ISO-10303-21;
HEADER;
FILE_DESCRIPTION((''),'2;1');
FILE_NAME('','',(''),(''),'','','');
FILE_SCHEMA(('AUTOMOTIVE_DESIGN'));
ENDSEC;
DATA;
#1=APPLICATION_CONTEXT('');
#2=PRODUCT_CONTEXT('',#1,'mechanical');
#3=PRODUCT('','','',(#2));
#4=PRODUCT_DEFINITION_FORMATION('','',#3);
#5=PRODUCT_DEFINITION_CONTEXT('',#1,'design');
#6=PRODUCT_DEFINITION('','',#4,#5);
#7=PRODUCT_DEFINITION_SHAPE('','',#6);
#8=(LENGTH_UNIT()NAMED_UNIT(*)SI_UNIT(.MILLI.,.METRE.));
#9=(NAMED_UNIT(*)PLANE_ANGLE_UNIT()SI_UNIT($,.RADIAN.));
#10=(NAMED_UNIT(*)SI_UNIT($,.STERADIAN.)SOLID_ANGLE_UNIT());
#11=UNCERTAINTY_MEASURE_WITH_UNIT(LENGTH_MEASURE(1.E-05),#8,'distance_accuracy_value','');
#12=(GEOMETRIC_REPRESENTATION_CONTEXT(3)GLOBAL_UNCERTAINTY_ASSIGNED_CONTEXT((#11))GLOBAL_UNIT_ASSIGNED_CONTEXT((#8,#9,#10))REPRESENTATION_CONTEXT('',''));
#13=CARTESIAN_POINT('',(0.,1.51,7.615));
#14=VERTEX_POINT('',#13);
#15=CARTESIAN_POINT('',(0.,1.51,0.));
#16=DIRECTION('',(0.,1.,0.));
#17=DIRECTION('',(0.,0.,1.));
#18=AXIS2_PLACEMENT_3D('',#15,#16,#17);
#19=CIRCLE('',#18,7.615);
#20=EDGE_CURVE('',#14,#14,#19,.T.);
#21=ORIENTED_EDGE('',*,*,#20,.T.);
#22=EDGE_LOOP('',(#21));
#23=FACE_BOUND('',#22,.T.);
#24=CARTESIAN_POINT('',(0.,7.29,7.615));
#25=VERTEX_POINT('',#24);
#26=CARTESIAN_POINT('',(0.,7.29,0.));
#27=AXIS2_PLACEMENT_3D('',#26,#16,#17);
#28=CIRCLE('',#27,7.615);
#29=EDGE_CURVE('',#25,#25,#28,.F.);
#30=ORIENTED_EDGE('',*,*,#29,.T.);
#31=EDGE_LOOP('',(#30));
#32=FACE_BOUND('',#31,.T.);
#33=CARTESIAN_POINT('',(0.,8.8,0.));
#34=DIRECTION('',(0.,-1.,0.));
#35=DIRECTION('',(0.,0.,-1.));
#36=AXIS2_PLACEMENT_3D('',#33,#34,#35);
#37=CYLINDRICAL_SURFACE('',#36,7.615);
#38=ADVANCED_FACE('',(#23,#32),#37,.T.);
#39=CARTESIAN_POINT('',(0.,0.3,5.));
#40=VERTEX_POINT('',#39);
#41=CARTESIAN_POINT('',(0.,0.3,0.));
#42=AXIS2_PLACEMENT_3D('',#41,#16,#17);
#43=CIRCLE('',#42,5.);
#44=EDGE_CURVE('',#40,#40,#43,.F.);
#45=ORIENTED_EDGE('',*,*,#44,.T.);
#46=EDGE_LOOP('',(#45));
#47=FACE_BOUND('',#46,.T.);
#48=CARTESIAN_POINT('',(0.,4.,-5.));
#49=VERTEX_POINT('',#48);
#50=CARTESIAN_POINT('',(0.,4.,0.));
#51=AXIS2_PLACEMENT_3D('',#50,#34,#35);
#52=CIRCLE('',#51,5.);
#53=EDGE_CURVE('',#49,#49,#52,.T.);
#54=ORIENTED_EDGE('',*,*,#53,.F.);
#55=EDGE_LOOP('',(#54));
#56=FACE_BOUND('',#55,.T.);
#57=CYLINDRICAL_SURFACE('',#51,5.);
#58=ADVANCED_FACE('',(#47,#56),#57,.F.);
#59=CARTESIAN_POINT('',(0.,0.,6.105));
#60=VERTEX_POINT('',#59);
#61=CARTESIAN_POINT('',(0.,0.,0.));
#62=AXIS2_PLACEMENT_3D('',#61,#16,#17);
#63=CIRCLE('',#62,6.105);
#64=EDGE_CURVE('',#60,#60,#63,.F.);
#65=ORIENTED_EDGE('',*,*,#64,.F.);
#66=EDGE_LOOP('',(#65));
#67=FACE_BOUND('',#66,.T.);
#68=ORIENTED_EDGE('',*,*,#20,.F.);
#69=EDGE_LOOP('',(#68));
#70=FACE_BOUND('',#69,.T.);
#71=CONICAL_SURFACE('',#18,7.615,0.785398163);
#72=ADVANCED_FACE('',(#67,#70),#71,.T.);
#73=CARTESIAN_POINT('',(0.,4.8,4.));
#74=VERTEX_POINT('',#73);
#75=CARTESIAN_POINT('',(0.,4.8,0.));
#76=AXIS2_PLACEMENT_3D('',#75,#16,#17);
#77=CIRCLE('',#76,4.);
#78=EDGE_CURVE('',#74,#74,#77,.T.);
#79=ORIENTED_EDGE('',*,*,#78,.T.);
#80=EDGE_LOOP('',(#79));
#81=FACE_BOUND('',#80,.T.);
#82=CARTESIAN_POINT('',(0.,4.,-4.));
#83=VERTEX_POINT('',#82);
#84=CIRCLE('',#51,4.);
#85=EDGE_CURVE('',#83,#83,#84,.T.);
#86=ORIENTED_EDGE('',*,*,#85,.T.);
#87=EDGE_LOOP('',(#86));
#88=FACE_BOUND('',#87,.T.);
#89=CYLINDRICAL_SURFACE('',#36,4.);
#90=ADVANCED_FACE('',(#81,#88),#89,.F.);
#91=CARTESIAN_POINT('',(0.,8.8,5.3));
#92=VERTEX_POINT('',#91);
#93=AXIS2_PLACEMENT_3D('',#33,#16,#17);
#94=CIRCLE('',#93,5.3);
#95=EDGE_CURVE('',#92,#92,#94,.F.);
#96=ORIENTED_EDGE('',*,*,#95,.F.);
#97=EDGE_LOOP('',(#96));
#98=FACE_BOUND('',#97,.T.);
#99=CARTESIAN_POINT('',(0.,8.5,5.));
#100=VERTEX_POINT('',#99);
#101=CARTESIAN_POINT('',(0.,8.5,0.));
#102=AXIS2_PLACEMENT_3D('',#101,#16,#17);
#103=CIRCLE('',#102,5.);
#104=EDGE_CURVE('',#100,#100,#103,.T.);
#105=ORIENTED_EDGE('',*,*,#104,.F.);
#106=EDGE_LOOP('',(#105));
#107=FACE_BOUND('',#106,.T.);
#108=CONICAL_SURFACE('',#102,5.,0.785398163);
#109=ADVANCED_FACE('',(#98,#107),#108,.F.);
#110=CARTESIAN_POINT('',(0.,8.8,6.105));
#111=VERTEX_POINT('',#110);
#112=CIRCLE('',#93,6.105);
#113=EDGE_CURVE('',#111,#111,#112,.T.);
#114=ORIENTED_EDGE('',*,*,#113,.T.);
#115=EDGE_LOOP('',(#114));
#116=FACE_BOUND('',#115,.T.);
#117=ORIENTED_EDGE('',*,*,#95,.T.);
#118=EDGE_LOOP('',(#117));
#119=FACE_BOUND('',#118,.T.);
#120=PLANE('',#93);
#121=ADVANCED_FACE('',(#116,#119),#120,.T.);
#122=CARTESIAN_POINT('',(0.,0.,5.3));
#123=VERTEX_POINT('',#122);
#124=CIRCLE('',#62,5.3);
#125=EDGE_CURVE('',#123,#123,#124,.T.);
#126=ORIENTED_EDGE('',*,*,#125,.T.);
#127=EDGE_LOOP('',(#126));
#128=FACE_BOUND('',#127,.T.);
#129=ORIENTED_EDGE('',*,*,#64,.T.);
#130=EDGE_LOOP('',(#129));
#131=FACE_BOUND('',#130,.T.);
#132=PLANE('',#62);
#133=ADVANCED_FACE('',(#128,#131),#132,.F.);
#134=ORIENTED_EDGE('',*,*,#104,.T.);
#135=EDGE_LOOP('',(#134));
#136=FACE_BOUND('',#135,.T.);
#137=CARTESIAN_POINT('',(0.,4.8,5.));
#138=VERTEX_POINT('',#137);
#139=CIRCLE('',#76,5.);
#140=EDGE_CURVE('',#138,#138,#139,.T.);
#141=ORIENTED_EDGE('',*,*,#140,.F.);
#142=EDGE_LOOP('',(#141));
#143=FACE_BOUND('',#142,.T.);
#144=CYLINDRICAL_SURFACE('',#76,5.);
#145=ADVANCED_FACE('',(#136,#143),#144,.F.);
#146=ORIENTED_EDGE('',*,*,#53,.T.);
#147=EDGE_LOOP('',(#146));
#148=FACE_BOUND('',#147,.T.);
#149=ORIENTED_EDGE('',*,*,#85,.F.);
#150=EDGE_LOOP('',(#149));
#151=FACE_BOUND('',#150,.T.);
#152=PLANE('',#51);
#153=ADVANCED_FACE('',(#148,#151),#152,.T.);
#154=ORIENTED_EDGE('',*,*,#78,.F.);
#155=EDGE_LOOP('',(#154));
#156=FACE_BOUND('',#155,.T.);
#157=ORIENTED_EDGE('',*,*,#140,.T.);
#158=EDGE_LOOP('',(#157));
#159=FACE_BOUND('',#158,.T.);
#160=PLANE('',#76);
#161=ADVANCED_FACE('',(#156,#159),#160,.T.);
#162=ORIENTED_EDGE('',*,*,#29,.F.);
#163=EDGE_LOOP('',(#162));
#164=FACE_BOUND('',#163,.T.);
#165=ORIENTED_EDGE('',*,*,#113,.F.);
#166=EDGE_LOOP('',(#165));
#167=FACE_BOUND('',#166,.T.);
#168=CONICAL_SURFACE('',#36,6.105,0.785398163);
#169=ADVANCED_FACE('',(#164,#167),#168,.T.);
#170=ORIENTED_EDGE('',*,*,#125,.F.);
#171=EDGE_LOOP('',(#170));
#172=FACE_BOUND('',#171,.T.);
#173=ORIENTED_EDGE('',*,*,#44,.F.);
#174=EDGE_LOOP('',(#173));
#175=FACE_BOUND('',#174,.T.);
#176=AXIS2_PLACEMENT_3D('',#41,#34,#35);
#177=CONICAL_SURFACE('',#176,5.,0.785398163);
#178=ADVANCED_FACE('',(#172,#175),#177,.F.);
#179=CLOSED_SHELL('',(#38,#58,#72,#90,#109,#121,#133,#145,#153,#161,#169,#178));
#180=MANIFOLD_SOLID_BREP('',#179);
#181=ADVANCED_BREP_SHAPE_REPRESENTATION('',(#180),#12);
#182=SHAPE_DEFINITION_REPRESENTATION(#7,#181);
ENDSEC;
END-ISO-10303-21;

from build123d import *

# Parameters (mm, degrees)
SKETCH1_R           = 7.615
SKETCH1_R_2         = 4
BOSS_EXTRUDE1_DEPTH = 8.8
SKETCH2_R           = 5
CUT_EXTRUDE1_DEPTH  = 4
SKETCH3_R           = 5
CUT_EXTRUDE2_DEPTH  = 4
CHAMFER1_SIZE       = 0.3
CHAMFER2_SIZE       = 1.51


with BuildPart() as part:
    # Sketch1 → Boss-Extrude1 (new body)
    with BuildSketch(Plane(origin=(0, 0, 0), x_dir=(1, 0, 0), z_dir=(0, 1, 0))):
        Circle(SKETCH1_R)
        Circle(SKETCH1_R_2, mode=Mode.SUBTRACT)
    extrude(amount=BOSS_EXTRUDE1_DEPTH)

    # Sketch2 → Cut-Extrude1 (cut)
    with BuildSketch(Plane(origin=(0, 8.8, 0), x_dir=(1, 0, 0), z_dir=(0, 1, 0))):
        Circle(SKETCH2_R)
    extrude(amount=-CUT_EXTRUDE1_DEPTH, mode=Mode.SUBTRACT)

    # Sketch3 → Cut-Extrude2 (cut)
    with BuildSketch(Plane.XZ):
        Circle(SKETCH3_R)
    extrude(amount=-CUT_EXTRUDE2_DEPTH, mode=Mode.SUBTRACT)

    # Chamfer1
    chamfer1_edges = [part.edges().sort_by_distance(p)[0] for p in [
        (-5, 8.8, 0),
        (-5, 0, 0),
    ]]
    chamfer(chamfer1_edges, length=CHAMFER1_SIZE)

    # Chamfer2
    chamfer2_edges = [part.edges().sort_by_distance(p)[0] for p in [
        (-7.615, 0, 0),
        (-7.615, 8.8, 0),
    ]]
    chamfer(chamfer2_edges, length=CHAMFER2_SIZE)


solid = part.part
